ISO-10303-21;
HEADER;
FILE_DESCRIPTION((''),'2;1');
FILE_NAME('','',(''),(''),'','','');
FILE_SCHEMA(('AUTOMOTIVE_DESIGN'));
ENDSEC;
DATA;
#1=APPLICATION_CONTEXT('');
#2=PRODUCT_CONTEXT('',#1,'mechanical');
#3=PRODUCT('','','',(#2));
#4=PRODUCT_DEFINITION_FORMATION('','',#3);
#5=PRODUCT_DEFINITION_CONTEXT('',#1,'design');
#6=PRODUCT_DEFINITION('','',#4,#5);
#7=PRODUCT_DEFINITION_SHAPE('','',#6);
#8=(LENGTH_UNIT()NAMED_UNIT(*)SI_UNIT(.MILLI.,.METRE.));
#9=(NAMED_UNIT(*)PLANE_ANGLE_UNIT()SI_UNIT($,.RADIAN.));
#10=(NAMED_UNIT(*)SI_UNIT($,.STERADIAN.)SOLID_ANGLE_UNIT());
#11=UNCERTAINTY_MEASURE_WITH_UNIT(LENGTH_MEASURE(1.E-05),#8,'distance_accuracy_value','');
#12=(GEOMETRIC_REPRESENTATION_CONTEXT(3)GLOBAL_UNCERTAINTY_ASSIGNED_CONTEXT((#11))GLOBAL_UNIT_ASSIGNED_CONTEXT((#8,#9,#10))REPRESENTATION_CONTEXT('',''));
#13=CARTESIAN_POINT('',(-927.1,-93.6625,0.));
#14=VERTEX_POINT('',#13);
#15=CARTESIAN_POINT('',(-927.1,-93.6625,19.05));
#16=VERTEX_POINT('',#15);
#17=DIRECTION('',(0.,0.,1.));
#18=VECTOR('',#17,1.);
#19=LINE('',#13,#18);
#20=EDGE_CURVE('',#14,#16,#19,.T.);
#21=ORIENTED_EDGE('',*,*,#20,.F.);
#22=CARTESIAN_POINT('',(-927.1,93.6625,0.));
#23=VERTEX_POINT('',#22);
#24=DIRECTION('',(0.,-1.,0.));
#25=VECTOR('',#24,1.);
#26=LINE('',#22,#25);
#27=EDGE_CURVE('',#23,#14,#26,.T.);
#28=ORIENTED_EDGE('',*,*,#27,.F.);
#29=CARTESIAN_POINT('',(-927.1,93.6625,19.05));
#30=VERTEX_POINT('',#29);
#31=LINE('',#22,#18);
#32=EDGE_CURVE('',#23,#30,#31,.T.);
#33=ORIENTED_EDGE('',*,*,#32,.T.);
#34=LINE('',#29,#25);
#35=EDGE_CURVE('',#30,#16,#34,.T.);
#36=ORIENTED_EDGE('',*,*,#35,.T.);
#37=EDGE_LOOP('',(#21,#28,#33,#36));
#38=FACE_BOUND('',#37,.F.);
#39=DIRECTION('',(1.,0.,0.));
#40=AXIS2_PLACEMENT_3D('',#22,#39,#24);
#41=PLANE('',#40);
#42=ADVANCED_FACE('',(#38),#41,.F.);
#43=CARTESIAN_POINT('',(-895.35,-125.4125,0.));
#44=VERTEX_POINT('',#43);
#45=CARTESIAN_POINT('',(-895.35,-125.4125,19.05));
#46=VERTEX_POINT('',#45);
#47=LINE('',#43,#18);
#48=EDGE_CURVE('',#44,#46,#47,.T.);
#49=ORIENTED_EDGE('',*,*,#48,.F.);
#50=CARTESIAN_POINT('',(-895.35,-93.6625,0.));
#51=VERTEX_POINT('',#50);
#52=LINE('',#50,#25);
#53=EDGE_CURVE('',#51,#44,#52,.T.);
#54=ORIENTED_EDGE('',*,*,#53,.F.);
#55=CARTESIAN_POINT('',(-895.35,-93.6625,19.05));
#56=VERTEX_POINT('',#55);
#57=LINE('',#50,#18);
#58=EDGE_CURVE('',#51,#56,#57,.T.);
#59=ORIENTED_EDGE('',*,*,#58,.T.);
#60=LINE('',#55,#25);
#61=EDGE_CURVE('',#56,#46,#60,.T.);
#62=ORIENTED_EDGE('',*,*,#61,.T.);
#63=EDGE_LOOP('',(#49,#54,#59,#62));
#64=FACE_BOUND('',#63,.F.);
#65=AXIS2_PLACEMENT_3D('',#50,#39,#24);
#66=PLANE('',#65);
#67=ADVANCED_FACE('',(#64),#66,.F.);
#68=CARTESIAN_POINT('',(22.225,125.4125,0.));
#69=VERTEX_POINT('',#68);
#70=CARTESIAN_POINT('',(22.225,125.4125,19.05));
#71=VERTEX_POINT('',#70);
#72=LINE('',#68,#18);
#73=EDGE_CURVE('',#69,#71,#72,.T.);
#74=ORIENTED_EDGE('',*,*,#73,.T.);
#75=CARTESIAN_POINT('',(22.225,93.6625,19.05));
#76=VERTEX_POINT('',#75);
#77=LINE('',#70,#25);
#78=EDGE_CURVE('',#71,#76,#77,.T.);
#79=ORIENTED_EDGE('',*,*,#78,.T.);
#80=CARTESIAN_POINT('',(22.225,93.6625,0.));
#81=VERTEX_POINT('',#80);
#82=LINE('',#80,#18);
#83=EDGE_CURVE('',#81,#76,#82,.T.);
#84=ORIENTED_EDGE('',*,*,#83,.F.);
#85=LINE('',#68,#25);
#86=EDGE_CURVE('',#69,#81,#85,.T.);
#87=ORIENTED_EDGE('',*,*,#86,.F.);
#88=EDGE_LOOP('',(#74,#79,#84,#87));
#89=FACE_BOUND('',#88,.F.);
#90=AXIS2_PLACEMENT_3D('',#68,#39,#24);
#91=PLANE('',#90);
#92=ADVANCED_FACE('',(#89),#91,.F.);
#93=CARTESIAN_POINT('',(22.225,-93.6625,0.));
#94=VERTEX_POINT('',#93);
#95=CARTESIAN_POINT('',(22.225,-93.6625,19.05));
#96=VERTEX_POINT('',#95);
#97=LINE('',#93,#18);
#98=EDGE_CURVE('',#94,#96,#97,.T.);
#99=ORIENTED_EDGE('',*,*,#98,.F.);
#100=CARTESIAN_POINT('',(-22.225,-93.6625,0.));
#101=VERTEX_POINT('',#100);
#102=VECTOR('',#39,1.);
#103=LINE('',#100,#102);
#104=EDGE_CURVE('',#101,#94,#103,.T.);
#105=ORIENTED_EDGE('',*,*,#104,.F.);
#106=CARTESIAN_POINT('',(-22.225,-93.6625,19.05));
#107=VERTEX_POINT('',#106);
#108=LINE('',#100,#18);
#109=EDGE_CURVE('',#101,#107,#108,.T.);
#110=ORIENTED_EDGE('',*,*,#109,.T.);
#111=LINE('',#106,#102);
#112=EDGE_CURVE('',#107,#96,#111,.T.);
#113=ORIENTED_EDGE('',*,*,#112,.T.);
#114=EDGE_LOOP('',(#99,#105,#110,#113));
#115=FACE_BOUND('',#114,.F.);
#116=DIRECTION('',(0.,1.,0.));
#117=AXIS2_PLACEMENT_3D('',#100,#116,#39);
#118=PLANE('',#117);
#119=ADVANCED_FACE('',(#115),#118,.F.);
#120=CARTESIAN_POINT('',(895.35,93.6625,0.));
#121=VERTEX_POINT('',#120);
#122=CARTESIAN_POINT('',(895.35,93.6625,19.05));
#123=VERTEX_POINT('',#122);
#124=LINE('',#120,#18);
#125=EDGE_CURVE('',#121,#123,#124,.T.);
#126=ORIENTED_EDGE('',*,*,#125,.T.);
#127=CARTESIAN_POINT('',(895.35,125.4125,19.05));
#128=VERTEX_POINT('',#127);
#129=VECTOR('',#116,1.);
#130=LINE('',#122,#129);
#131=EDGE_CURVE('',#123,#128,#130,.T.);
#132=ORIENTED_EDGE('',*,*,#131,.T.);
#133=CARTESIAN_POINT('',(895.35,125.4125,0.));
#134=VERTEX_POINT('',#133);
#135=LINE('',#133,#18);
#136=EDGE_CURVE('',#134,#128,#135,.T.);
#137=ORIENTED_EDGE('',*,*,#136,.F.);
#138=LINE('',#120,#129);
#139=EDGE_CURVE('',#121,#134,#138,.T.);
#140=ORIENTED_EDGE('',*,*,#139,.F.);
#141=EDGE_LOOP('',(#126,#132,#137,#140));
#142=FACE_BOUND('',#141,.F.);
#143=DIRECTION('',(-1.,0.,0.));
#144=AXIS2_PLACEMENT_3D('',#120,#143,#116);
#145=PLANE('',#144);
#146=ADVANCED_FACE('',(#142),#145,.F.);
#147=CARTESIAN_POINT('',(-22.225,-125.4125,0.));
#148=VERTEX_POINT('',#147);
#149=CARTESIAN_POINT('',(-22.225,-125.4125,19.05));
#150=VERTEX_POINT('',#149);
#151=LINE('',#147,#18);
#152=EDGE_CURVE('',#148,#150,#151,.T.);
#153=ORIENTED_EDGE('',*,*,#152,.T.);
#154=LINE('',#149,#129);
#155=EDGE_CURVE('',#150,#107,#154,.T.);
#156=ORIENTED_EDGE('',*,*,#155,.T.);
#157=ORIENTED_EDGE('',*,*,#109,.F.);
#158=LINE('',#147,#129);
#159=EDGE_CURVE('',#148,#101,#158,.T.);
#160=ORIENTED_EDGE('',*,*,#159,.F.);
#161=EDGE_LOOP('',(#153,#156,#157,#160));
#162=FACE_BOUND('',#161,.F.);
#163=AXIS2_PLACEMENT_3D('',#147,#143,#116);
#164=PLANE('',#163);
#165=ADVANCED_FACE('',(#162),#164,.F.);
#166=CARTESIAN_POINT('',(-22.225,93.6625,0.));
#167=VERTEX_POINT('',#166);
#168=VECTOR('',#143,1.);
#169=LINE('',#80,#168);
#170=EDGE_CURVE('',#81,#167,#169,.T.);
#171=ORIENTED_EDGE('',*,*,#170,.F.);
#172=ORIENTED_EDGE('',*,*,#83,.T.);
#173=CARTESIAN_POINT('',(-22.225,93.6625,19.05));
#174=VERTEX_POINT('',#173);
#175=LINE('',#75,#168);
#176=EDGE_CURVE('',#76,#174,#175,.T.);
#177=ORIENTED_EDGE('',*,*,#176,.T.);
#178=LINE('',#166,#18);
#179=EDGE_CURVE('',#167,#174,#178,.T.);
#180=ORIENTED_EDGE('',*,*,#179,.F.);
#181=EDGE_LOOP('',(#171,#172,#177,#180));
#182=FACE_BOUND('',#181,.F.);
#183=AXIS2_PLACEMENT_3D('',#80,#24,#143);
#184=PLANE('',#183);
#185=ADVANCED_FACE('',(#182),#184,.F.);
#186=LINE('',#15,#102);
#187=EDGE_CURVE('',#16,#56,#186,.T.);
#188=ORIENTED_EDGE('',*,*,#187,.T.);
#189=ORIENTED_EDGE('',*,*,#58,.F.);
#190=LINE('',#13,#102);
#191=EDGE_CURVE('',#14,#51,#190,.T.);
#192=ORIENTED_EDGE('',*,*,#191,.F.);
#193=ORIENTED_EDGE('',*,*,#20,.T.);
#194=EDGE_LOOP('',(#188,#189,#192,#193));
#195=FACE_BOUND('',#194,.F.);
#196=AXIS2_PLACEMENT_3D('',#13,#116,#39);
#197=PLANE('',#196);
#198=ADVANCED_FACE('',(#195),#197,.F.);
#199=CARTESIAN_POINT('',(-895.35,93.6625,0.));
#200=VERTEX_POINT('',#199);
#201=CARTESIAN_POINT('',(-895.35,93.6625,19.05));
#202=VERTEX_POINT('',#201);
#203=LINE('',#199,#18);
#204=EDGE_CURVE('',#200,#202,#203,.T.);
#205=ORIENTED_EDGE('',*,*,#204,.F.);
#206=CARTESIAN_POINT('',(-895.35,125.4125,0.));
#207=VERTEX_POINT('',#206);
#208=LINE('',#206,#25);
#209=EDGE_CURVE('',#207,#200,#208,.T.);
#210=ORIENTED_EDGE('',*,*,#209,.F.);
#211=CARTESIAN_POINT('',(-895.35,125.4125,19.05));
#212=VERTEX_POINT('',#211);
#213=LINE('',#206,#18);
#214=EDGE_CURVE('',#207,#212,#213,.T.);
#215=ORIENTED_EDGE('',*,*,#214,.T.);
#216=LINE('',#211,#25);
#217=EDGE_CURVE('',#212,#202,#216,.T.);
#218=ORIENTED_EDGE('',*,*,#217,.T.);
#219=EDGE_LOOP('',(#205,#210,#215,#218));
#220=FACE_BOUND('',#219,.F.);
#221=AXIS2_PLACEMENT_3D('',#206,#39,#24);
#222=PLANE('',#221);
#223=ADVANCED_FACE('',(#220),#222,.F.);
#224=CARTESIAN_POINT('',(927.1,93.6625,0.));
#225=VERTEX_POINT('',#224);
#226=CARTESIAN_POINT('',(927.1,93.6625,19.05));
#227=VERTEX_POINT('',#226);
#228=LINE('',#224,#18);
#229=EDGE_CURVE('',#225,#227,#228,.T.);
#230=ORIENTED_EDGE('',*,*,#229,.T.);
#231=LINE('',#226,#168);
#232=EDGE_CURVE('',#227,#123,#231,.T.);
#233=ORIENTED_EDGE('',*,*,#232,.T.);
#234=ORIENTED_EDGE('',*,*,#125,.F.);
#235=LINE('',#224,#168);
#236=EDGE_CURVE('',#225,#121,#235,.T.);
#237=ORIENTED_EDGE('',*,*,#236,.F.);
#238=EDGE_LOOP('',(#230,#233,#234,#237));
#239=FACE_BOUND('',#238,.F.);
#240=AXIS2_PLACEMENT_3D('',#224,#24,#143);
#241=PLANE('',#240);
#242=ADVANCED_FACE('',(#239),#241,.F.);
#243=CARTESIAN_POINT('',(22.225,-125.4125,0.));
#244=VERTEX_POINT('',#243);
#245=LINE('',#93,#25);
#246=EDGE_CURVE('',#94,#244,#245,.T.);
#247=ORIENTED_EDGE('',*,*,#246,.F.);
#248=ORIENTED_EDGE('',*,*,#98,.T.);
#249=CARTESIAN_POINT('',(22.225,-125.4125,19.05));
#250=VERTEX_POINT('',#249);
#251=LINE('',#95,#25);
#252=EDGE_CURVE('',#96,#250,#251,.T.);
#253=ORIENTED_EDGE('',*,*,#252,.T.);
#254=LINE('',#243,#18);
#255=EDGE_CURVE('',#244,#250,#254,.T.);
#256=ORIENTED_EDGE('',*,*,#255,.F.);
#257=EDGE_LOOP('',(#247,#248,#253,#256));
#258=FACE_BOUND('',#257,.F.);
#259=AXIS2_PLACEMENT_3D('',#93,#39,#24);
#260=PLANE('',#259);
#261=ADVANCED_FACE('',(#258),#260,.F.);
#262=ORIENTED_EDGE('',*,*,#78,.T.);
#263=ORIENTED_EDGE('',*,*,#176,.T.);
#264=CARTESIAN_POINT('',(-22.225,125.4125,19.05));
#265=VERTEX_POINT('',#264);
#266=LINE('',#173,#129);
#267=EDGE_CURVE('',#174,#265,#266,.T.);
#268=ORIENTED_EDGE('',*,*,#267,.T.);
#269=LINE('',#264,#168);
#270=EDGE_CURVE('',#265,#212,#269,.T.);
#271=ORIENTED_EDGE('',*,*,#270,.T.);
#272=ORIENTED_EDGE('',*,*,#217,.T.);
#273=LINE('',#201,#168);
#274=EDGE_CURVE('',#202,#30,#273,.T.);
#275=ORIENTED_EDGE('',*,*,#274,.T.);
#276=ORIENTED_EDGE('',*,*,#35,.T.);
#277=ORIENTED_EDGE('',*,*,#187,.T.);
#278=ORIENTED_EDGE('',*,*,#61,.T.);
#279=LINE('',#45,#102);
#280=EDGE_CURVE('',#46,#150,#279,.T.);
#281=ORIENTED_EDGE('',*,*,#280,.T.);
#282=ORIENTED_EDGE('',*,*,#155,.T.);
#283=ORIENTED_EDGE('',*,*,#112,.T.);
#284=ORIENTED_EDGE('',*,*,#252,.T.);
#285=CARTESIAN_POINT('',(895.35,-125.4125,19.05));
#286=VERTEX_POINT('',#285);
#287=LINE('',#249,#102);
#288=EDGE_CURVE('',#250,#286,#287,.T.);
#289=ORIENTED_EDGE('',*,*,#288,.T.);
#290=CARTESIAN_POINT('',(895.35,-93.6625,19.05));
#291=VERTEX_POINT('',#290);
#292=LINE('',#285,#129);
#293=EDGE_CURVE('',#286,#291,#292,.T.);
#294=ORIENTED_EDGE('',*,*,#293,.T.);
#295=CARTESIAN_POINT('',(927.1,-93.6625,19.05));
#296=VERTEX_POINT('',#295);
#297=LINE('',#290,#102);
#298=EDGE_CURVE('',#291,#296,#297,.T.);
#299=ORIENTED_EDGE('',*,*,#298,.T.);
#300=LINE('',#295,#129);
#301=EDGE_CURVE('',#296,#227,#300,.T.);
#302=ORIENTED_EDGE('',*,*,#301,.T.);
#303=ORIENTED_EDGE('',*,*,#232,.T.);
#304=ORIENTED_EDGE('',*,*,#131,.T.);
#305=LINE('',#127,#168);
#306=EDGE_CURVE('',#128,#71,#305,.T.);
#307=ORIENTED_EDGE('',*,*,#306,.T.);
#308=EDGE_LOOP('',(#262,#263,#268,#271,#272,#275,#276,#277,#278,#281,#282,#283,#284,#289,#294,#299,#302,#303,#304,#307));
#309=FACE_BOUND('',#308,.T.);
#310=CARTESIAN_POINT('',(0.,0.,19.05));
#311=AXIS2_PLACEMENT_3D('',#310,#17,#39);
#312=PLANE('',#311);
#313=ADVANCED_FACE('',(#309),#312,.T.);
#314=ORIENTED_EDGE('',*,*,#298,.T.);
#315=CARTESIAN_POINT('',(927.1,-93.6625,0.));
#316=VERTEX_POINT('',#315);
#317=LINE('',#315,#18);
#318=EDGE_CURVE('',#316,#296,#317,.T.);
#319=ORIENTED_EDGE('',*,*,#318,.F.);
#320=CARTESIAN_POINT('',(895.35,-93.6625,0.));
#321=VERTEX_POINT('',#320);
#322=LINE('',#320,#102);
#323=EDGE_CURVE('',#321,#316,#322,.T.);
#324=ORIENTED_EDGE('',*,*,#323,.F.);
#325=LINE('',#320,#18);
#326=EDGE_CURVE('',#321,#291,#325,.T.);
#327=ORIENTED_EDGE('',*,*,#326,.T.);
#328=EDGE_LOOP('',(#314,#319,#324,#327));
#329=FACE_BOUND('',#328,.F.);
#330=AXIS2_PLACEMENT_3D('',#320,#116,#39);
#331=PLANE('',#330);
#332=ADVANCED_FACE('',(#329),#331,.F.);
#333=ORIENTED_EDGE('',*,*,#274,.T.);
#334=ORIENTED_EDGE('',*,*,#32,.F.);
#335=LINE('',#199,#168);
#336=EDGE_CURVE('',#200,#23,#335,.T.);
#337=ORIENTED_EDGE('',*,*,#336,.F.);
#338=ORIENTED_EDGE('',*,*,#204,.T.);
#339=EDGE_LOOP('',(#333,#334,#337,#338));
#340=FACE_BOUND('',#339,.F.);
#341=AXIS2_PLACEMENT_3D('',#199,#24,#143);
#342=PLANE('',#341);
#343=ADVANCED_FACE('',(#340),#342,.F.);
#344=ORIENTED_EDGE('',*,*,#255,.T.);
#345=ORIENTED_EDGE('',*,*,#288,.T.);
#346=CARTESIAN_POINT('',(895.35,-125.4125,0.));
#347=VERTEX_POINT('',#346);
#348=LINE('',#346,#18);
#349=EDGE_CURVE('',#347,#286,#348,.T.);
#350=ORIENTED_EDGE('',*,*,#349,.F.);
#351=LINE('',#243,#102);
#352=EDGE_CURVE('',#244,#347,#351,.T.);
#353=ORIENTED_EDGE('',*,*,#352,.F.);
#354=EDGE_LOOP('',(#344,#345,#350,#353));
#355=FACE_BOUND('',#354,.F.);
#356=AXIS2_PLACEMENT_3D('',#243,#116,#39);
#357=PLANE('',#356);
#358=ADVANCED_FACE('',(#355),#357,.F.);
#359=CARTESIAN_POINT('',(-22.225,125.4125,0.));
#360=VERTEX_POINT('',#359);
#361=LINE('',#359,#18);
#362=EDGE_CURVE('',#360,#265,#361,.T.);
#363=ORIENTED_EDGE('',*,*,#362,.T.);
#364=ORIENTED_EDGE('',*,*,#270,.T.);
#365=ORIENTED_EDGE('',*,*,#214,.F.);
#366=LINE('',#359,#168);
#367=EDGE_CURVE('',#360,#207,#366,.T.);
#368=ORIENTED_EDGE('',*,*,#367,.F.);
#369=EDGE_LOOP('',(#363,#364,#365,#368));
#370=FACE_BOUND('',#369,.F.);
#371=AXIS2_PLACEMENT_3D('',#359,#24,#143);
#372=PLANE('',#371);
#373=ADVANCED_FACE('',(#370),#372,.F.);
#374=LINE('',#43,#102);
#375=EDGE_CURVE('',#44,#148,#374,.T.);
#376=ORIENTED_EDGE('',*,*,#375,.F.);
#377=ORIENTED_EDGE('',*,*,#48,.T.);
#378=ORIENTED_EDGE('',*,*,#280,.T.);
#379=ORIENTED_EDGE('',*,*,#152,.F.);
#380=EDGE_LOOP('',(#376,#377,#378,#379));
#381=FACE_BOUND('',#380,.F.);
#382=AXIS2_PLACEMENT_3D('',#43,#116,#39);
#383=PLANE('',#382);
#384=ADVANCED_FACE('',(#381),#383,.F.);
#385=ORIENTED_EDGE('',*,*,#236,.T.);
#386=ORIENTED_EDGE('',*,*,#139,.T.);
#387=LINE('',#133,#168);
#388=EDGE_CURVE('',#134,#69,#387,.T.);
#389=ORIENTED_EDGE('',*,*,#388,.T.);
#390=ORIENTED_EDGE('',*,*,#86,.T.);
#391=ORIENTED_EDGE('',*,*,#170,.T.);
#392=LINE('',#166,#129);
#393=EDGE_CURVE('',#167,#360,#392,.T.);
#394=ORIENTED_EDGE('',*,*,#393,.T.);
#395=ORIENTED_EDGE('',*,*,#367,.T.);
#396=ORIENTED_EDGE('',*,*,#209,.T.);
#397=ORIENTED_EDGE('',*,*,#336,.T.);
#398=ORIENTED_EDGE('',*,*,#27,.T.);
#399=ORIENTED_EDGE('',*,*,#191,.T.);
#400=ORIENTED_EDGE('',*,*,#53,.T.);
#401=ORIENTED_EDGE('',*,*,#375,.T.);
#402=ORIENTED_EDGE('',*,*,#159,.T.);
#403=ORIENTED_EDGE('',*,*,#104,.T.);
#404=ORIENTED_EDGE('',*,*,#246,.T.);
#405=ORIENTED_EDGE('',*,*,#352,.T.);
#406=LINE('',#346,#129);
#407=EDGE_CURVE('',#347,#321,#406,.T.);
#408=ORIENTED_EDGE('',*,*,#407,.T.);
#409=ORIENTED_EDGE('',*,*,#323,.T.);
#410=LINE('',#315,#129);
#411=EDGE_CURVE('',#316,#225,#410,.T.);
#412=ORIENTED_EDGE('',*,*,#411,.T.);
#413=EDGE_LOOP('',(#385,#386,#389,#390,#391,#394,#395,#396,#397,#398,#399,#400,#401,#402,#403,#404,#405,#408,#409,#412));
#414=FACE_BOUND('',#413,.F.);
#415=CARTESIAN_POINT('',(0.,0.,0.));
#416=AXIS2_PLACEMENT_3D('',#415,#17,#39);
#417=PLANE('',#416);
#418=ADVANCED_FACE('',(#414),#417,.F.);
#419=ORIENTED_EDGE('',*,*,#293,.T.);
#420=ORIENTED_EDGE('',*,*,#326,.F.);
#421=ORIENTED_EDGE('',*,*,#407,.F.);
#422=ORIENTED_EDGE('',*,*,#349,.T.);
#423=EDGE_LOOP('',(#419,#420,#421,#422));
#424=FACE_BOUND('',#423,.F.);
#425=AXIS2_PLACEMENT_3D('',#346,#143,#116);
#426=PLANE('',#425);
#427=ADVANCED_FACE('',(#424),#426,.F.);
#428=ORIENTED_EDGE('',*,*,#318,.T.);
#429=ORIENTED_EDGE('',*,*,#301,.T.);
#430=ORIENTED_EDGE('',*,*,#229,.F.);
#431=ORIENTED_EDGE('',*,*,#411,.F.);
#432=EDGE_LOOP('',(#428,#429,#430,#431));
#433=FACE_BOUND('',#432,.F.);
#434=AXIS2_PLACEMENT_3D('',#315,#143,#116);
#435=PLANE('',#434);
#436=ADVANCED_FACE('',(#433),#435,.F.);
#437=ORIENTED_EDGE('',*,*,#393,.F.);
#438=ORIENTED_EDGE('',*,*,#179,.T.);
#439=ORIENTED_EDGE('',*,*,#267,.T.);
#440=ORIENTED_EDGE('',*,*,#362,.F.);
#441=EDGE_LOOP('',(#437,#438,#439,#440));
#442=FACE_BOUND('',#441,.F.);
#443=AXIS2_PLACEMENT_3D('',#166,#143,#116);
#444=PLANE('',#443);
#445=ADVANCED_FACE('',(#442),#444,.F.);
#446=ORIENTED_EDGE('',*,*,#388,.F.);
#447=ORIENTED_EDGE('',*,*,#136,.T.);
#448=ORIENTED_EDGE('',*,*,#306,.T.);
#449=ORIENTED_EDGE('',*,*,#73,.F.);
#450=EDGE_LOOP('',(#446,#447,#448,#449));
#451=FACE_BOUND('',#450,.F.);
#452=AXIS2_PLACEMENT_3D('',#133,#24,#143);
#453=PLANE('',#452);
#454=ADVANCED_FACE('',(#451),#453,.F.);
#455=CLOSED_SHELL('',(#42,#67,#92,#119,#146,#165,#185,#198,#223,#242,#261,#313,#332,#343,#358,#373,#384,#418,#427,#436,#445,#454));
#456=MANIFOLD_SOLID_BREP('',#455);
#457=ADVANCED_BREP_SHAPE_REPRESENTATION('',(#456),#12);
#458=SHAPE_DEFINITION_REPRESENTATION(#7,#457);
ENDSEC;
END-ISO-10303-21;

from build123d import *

# Parameters (mm, degrees)
F1_DEPTH = 19.05


with BuildPart() as f1:
    # F0 (on Top) → F1 (new body)
    with BuildSketch(Plane.XY):
        Polygon((-22.225, 125.4125), (-895.35, 125.4125), (-895.35, 93.6625), (-927.1, 93.6625), (-927.1, -93.6625), (-895.35, -93.6625), (-895.35, -125.4125), (-22.225, -125.4125), (-22.225, -93.6625), (22.225, -93.6625), (22.225, -125.4125), (895.35, -125.4125), (895.35, -93.6625), (927.1, -93.6625), (927.1, 93.6625), (895.35, 93.6625), (895.35, 125.4125), (22.225, 125.4125), (22.225, 93.6625), (-22.225, 93.6625), align=None)
    extrude(amount=F1_DEPTH)


solid = f1.part
